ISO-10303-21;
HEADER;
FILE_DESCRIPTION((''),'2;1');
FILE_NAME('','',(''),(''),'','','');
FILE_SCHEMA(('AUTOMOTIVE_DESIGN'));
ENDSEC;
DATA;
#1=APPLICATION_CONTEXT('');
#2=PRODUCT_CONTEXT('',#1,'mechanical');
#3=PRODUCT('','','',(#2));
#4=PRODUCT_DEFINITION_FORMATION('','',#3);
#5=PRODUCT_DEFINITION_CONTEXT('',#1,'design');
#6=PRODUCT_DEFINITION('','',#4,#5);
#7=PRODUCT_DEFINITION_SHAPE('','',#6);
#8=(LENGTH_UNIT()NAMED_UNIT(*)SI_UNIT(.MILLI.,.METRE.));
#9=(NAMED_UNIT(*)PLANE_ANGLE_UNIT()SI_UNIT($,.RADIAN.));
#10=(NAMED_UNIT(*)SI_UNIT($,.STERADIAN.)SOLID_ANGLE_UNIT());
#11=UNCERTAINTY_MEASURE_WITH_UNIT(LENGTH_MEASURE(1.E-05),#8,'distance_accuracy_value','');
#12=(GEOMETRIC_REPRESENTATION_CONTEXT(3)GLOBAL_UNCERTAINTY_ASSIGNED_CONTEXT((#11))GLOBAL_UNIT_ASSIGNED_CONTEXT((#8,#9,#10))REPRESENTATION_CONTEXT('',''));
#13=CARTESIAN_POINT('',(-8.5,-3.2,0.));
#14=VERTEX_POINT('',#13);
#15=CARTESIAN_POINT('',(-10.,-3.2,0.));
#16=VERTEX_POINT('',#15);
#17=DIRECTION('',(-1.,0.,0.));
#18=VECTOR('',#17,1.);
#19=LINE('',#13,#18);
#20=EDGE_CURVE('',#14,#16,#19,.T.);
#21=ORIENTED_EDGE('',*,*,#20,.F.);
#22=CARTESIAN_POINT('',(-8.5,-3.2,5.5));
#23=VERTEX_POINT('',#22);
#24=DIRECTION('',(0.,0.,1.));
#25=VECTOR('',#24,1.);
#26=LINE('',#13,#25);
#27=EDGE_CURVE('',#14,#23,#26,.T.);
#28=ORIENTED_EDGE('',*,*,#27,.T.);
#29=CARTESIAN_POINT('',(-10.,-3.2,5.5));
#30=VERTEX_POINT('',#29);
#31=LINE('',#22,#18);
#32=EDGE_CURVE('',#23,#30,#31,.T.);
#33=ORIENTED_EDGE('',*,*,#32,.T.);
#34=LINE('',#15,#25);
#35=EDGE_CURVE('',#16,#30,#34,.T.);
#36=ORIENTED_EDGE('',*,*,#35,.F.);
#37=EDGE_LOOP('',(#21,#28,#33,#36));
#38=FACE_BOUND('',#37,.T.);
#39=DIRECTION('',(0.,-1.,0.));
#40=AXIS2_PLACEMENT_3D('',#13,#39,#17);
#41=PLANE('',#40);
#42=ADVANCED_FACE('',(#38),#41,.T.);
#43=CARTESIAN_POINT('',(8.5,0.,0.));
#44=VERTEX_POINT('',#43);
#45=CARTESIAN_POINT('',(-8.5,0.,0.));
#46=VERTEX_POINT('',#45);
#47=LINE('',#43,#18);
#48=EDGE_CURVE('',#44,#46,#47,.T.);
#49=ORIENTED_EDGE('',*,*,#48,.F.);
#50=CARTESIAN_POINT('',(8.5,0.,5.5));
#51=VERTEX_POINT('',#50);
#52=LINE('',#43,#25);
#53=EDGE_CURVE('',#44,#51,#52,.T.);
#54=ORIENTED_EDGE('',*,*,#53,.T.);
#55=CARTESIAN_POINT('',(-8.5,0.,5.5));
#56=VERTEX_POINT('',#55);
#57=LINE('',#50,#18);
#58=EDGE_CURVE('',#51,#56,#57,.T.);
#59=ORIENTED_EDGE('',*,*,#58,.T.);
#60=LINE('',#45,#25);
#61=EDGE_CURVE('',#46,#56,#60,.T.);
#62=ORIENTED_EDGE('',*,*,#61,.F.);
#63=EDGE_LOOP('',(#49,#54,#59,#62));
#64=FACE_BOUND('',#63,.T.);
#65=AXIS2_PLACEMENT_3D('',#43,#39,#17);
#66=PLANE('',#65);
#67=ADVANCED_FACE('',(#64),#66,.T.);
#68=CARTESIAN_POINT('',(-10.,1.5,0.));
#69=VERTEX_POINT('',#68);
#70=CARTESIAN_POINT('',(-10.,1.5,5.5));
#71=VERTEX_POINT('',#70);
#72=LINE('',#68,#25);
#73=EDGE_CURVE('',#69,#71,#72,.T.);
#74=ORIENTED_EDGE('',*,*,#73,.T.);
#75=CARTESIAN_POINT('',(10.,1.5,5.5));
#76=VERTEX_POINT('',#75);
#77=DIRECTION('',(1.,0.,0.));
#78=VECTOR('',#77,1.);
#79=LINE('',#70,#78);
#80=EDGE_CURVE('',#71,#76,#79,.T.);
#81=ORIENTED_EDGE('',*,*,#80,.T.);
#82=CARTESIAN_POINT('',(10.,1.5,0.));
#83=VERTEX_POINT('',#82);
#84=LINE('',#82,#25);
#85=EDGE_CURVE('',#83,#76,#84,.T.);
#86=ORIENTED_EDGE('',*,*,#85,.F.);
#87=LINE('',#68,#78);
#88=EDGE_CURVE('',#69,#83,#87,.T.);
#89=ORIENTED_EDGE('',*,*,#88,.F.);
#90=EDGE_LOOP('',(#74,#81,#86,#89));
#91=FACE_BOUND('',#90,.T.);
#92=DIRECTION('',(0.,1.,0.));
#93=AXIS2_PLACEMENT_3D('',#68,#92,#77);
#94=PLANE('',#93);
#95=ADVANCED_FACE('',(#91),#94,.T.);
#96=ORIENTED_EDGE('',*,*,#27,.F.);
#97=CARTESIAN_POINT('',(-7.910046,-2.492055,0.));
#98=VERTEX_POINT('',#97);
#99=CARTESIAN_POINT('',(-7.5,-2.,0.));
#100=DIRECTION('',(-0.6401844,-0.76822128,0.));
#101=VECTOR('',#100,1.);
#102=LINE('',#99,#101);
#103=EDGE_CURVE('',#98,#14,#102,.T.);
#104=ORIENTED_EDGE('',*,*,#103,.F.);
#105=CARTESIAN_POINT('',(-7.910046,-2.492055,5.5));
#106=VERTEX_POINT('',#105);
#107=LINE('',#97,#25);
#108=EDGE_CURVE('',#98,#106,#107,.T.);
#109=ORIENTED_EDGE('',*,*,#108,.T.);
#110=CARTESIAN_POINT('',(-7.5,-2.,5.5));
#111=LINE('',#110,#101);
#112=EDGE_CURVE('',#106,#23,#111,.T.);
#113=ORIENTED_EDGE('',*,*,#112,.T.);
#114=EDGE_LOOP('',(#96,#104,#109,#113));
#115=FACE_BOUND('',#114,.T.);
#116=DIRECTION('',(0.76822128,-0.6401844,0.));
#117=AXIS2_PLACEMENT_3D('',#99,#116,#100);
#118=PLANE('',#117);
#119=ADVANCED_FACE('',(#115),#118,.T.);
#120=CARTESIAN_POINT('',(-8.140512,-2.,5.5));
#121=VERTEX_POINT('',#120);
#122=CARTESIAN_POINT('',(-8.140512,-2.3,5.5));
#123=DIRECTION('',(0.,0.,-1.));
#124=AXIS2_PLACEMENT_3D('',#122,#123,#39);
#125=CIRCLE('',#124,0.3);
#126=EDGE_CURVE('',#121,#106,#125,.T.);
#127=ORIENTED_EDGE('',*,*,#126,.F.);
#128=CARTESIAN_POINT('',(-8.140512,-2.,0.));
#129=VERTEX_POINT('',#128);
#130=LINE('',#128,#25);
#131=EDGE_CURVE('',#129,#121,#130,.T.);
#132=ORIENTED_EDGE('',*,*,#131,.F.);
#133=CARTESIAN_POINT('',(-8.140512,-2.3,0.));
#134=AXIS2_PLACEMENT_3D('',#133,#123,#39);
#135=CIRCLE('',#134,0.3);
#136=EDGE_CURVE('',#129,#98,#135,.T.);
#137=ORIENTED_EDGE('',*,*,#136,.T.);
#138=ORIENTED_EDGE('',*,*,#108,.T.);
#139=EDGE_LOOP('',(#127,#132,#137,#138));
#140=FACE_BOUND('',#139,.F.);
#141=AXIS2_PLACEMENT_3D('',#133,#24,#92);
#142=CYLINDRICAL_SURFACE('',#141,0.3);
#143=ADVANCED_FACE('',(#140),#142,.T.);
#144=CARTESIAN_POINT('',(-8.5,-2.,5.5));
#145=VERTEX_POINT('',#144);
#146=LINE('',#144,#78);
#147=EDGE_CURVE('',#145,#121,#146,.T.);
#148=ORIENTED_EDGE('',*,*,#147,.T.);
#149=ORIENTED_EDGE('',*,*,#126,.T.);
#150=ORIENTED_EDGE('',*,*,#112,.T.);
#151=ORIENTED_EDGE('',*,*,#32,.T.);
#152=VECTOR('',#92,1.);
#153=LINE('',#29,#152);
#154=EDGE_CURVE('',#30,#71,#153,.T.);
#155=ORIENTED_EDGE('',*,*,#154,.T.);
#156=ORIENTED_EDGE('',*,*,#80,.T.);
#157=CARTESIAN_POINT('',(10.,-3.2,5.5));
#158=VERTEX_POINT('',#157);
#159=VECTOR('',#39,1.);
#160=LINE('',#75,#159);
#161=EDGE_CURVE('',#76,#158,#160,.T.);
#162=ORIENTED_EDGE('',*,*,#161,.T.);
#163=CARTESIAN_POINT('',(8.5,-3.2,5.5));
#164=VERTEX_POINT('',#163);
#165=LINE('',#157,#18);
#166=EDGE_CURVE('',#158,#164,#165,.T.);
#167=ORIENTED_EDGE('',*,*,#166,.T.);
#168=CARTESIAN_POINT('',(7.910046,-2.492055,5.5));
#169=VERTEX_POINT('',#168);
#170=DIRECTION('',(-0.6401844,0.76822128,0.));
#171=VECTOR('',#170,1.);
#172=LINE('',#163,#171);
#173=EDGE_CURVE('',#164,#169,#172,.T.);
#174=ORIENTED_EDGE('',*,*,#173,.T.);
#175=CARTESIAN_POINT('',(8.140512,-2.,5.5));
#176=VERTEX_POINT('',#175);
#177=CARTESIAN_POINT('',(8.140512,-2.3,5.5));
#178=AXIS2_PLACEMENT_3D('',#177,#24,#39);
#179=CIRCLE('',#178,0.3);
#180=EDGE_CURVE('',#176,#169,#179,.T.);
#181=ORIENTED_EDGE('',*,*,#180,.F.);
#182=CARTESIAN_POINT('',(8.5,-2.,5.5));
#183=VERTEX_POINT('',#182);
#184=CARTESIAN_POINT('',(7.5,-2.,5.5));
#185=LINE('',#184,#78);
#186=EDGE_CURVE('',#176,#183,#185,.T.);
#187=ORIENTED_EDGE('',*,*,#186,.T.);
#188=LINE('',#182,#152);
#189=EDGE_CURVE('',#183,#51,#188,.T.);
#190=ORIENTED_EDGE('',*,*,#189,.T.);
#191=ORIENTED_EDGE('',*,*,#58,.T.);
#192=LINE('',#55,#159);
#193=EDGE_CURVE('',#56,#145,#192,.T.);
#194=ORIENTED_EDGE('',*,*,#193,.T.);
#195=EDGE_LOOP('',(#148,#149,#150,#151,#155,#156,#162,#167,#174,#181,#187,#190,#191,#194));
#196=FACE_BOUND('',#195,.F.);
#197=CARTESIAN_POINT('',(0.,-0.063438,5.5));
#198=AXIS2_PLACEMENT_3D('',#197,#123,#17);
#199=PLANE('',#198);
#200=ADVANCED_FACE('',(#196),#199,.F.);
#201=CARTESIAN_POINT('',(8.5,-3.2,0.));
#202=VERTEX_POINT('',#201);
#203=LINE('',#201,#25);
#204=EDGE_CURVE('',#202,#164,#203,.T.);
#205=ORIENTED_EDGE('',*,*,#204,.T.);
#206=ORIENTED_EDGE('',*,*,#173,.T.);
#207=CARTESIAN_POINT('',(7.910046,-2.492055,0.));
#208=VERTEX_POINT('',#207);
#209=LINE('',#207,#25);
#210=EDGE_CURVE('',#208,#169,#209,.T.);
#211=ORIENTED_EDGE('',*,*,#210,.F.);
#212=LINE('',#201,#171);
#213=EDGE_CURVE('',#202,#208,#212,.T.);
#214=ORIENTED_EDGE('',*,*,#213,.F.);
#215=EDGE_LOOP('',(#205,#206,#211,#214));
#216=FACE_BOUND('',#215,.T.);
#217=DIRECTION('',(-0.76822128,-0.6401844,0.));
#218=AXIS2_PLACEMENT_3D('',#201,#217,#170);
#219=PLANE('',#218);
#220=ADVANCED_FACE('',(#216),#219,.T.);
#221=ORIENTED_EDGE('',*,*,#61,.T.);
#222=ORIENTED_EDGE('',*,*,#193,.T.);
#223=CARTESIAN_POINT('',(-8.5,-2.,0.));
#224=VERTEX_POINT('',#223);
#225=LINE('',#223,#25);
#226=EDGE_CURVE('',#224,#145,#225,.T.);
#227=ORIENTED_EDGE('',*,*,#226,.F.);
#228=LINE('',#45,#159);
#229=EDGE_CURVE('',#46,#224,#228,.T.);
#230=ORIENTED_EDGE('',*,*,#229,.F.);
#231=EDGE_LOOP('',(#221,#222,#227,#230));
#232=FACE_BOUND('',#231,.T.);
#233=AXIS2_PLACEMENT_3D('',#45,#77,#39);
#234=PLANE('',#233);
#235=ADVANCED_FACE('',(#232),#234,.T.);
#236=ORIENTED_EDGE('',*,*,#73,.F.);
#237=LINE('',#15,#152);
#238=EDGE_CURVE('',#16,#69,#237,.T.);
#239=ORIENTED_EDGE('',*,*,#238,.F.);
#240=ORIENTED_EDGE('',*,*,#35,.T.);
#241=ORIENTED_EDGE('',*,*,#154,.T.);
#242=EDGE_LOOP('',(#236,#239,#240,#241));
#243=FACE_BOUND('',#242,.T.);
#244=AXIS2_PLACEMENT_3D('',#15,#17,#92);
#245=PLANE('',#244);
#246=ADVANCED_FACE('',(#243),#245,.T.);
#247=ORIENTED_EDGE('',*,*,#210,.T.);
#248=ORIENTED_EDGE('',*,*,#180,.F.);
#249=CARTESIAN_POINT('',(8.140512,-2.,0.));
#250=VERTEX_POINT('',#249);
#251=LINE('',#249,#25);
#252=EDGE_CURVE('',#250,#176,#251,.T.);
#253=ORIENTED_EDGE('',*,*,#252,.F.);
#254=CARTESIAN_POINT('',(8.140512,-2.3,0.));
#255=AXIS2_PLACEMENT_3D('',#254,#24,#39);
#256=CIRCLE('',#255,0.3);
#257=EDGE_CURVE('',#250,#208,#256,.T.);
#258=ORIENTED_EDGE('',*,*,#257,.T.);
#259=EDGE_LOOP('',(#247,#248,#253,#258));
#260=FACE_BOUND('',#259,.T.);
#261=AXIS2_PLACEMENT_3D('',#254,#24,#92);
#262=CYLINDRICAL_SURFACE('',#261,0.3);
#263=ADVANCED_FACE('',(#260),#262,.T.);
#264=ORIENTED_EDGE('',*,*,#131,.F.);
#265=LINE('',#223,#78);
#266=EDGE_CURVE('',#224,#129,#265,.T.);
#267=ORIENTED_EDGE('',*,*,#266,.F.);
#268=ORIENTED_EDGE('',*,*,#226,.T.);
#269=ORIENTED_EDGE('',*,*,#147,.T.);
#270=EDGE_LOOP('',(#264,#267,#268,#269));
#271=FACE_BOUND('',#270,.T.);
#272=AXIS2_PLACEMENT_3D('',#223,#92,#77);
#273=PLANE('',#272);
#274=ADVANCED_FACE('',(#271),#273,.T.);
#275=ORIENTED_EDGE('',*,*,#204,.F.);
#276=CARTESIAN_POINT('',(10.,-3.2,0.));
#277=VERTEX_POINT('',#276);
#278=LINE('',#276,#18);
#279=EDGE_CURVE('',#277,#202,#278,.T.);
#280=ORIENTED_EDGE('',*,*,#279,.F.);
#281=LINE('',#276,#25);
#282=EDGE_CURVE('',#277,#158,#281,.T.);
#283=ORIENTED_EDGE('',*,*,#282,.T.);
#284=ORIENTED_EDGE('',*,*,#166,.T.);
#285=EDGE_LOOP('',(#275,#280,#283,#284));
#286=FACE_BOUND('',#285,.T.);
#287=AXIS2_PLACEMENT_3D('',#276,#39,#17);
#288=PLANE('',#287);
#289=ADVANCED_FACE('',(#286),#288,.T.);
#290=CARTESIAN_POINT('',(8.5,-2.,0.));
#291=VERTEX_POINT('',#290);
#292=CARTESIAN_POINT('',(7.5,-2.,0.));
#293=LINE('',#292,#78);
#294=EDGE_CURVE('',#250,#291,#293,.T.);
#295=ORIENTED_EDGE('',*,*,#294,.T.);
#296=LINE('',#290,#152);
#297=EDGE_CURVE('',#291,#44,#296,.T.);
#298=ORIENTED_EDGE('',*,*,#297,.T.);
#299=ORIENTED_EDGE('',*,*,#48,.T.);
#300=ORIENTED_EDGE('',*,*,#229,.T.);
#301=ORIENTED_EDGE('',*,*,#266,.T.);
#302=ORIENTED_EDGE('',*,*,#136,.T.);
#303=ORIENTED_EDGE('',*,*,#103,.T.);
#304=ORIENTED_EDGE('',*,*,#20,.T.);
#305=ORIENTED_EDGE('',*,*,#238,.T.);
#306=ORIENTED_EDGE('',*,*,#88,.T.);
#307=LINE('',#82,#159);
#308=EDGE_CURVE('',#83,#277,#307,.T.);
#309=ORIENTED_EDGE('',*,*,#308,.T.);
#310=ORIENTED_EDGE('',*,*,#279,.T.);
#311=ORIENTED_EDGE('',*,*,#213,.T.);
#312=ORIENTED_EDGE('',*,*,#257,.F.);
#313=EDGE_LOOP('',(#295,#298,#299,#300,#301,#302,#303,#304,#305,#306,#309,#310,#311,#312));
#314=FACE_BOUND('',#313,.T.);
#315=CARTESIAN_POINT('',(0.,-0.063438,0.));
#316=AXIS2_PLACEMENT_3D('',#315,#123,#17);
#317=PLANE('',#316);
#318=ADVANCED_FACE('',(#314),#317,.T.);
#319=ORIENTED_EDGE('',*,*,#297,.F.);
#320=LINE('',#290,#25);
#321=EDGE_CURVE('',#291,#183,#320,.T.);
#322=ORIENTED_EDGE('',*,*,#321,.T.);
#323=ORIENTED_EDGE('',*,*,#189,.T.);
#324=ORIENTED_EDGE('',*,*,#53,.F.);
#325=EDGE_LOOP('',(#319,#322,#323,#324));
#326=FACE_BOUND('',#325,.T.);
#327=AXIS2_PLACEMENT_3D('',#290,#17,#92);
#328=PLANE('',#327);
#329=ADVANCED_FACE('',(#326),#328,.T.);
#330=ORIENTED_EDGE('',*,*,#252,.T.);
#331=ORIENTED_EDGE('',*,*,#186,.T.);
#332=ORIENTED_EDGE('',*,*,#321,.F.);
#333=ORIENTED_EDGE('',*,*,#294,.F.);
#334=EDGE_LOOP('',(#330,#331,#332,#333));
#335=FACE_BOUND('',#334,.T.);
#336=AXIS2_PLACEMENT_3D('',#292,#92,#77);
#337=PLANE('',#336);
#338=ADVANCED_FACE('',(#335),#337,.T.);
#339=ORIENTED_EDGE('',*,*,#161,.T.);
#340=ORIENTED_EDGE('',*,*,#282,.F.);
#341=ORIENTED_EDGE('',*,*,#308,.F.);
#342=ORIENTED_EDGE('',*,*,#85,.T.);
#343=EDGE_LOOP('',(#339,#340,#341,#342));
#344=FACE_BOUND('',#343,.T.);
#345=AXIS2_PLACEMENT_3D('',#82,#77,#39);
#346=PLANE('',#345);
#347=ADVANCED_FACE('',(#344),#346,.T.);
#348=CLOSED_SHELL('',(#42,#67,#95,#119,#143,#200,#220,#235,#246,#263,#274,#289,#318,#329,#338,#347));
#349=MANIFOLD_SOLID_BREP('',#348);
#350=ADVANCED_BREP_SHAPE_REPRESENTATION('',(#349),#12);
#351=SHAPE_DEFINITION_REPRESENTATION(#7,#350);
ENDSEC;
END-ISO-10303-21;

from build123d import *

# Parameters (mm, degrees)
PAD_DEPTH   = 5.5
FILLET_R    = 0.3
FILLET001_R = 0.3


with BuildPart() as part:
    # Sketch → Pad (new body)
    with BuildSketch(Plane.XY):
        Polygon((-10, 1.5), (10, 1.5), (10, -3.2), (8.5, -3.2), (7.5, -2), (8.5, -2), (8.5, 0), (-8.5, 0), (-8.5, -2), (-7.5, -2), (-8.5, -3.2), (-10, -3.2), align=None)
    extrude(amount=PAD_DEPTH)

    # Fillet
    fillet_edges = [part.edges().sort_by_distance(p)[0] for p in [
        (-7.5, -2, 2.75),
    ]]
    fillet(fillet_edges, radius=FILLET_R)

    # Fillet001
    fillet001_edges = [part.edges().sort_by_distance(p)[0] for p in [
        (7.5, -2, 2.75),
    ]]
    fillet(fillet001_edges, radius=FILLET001_R)


solid = part.part
